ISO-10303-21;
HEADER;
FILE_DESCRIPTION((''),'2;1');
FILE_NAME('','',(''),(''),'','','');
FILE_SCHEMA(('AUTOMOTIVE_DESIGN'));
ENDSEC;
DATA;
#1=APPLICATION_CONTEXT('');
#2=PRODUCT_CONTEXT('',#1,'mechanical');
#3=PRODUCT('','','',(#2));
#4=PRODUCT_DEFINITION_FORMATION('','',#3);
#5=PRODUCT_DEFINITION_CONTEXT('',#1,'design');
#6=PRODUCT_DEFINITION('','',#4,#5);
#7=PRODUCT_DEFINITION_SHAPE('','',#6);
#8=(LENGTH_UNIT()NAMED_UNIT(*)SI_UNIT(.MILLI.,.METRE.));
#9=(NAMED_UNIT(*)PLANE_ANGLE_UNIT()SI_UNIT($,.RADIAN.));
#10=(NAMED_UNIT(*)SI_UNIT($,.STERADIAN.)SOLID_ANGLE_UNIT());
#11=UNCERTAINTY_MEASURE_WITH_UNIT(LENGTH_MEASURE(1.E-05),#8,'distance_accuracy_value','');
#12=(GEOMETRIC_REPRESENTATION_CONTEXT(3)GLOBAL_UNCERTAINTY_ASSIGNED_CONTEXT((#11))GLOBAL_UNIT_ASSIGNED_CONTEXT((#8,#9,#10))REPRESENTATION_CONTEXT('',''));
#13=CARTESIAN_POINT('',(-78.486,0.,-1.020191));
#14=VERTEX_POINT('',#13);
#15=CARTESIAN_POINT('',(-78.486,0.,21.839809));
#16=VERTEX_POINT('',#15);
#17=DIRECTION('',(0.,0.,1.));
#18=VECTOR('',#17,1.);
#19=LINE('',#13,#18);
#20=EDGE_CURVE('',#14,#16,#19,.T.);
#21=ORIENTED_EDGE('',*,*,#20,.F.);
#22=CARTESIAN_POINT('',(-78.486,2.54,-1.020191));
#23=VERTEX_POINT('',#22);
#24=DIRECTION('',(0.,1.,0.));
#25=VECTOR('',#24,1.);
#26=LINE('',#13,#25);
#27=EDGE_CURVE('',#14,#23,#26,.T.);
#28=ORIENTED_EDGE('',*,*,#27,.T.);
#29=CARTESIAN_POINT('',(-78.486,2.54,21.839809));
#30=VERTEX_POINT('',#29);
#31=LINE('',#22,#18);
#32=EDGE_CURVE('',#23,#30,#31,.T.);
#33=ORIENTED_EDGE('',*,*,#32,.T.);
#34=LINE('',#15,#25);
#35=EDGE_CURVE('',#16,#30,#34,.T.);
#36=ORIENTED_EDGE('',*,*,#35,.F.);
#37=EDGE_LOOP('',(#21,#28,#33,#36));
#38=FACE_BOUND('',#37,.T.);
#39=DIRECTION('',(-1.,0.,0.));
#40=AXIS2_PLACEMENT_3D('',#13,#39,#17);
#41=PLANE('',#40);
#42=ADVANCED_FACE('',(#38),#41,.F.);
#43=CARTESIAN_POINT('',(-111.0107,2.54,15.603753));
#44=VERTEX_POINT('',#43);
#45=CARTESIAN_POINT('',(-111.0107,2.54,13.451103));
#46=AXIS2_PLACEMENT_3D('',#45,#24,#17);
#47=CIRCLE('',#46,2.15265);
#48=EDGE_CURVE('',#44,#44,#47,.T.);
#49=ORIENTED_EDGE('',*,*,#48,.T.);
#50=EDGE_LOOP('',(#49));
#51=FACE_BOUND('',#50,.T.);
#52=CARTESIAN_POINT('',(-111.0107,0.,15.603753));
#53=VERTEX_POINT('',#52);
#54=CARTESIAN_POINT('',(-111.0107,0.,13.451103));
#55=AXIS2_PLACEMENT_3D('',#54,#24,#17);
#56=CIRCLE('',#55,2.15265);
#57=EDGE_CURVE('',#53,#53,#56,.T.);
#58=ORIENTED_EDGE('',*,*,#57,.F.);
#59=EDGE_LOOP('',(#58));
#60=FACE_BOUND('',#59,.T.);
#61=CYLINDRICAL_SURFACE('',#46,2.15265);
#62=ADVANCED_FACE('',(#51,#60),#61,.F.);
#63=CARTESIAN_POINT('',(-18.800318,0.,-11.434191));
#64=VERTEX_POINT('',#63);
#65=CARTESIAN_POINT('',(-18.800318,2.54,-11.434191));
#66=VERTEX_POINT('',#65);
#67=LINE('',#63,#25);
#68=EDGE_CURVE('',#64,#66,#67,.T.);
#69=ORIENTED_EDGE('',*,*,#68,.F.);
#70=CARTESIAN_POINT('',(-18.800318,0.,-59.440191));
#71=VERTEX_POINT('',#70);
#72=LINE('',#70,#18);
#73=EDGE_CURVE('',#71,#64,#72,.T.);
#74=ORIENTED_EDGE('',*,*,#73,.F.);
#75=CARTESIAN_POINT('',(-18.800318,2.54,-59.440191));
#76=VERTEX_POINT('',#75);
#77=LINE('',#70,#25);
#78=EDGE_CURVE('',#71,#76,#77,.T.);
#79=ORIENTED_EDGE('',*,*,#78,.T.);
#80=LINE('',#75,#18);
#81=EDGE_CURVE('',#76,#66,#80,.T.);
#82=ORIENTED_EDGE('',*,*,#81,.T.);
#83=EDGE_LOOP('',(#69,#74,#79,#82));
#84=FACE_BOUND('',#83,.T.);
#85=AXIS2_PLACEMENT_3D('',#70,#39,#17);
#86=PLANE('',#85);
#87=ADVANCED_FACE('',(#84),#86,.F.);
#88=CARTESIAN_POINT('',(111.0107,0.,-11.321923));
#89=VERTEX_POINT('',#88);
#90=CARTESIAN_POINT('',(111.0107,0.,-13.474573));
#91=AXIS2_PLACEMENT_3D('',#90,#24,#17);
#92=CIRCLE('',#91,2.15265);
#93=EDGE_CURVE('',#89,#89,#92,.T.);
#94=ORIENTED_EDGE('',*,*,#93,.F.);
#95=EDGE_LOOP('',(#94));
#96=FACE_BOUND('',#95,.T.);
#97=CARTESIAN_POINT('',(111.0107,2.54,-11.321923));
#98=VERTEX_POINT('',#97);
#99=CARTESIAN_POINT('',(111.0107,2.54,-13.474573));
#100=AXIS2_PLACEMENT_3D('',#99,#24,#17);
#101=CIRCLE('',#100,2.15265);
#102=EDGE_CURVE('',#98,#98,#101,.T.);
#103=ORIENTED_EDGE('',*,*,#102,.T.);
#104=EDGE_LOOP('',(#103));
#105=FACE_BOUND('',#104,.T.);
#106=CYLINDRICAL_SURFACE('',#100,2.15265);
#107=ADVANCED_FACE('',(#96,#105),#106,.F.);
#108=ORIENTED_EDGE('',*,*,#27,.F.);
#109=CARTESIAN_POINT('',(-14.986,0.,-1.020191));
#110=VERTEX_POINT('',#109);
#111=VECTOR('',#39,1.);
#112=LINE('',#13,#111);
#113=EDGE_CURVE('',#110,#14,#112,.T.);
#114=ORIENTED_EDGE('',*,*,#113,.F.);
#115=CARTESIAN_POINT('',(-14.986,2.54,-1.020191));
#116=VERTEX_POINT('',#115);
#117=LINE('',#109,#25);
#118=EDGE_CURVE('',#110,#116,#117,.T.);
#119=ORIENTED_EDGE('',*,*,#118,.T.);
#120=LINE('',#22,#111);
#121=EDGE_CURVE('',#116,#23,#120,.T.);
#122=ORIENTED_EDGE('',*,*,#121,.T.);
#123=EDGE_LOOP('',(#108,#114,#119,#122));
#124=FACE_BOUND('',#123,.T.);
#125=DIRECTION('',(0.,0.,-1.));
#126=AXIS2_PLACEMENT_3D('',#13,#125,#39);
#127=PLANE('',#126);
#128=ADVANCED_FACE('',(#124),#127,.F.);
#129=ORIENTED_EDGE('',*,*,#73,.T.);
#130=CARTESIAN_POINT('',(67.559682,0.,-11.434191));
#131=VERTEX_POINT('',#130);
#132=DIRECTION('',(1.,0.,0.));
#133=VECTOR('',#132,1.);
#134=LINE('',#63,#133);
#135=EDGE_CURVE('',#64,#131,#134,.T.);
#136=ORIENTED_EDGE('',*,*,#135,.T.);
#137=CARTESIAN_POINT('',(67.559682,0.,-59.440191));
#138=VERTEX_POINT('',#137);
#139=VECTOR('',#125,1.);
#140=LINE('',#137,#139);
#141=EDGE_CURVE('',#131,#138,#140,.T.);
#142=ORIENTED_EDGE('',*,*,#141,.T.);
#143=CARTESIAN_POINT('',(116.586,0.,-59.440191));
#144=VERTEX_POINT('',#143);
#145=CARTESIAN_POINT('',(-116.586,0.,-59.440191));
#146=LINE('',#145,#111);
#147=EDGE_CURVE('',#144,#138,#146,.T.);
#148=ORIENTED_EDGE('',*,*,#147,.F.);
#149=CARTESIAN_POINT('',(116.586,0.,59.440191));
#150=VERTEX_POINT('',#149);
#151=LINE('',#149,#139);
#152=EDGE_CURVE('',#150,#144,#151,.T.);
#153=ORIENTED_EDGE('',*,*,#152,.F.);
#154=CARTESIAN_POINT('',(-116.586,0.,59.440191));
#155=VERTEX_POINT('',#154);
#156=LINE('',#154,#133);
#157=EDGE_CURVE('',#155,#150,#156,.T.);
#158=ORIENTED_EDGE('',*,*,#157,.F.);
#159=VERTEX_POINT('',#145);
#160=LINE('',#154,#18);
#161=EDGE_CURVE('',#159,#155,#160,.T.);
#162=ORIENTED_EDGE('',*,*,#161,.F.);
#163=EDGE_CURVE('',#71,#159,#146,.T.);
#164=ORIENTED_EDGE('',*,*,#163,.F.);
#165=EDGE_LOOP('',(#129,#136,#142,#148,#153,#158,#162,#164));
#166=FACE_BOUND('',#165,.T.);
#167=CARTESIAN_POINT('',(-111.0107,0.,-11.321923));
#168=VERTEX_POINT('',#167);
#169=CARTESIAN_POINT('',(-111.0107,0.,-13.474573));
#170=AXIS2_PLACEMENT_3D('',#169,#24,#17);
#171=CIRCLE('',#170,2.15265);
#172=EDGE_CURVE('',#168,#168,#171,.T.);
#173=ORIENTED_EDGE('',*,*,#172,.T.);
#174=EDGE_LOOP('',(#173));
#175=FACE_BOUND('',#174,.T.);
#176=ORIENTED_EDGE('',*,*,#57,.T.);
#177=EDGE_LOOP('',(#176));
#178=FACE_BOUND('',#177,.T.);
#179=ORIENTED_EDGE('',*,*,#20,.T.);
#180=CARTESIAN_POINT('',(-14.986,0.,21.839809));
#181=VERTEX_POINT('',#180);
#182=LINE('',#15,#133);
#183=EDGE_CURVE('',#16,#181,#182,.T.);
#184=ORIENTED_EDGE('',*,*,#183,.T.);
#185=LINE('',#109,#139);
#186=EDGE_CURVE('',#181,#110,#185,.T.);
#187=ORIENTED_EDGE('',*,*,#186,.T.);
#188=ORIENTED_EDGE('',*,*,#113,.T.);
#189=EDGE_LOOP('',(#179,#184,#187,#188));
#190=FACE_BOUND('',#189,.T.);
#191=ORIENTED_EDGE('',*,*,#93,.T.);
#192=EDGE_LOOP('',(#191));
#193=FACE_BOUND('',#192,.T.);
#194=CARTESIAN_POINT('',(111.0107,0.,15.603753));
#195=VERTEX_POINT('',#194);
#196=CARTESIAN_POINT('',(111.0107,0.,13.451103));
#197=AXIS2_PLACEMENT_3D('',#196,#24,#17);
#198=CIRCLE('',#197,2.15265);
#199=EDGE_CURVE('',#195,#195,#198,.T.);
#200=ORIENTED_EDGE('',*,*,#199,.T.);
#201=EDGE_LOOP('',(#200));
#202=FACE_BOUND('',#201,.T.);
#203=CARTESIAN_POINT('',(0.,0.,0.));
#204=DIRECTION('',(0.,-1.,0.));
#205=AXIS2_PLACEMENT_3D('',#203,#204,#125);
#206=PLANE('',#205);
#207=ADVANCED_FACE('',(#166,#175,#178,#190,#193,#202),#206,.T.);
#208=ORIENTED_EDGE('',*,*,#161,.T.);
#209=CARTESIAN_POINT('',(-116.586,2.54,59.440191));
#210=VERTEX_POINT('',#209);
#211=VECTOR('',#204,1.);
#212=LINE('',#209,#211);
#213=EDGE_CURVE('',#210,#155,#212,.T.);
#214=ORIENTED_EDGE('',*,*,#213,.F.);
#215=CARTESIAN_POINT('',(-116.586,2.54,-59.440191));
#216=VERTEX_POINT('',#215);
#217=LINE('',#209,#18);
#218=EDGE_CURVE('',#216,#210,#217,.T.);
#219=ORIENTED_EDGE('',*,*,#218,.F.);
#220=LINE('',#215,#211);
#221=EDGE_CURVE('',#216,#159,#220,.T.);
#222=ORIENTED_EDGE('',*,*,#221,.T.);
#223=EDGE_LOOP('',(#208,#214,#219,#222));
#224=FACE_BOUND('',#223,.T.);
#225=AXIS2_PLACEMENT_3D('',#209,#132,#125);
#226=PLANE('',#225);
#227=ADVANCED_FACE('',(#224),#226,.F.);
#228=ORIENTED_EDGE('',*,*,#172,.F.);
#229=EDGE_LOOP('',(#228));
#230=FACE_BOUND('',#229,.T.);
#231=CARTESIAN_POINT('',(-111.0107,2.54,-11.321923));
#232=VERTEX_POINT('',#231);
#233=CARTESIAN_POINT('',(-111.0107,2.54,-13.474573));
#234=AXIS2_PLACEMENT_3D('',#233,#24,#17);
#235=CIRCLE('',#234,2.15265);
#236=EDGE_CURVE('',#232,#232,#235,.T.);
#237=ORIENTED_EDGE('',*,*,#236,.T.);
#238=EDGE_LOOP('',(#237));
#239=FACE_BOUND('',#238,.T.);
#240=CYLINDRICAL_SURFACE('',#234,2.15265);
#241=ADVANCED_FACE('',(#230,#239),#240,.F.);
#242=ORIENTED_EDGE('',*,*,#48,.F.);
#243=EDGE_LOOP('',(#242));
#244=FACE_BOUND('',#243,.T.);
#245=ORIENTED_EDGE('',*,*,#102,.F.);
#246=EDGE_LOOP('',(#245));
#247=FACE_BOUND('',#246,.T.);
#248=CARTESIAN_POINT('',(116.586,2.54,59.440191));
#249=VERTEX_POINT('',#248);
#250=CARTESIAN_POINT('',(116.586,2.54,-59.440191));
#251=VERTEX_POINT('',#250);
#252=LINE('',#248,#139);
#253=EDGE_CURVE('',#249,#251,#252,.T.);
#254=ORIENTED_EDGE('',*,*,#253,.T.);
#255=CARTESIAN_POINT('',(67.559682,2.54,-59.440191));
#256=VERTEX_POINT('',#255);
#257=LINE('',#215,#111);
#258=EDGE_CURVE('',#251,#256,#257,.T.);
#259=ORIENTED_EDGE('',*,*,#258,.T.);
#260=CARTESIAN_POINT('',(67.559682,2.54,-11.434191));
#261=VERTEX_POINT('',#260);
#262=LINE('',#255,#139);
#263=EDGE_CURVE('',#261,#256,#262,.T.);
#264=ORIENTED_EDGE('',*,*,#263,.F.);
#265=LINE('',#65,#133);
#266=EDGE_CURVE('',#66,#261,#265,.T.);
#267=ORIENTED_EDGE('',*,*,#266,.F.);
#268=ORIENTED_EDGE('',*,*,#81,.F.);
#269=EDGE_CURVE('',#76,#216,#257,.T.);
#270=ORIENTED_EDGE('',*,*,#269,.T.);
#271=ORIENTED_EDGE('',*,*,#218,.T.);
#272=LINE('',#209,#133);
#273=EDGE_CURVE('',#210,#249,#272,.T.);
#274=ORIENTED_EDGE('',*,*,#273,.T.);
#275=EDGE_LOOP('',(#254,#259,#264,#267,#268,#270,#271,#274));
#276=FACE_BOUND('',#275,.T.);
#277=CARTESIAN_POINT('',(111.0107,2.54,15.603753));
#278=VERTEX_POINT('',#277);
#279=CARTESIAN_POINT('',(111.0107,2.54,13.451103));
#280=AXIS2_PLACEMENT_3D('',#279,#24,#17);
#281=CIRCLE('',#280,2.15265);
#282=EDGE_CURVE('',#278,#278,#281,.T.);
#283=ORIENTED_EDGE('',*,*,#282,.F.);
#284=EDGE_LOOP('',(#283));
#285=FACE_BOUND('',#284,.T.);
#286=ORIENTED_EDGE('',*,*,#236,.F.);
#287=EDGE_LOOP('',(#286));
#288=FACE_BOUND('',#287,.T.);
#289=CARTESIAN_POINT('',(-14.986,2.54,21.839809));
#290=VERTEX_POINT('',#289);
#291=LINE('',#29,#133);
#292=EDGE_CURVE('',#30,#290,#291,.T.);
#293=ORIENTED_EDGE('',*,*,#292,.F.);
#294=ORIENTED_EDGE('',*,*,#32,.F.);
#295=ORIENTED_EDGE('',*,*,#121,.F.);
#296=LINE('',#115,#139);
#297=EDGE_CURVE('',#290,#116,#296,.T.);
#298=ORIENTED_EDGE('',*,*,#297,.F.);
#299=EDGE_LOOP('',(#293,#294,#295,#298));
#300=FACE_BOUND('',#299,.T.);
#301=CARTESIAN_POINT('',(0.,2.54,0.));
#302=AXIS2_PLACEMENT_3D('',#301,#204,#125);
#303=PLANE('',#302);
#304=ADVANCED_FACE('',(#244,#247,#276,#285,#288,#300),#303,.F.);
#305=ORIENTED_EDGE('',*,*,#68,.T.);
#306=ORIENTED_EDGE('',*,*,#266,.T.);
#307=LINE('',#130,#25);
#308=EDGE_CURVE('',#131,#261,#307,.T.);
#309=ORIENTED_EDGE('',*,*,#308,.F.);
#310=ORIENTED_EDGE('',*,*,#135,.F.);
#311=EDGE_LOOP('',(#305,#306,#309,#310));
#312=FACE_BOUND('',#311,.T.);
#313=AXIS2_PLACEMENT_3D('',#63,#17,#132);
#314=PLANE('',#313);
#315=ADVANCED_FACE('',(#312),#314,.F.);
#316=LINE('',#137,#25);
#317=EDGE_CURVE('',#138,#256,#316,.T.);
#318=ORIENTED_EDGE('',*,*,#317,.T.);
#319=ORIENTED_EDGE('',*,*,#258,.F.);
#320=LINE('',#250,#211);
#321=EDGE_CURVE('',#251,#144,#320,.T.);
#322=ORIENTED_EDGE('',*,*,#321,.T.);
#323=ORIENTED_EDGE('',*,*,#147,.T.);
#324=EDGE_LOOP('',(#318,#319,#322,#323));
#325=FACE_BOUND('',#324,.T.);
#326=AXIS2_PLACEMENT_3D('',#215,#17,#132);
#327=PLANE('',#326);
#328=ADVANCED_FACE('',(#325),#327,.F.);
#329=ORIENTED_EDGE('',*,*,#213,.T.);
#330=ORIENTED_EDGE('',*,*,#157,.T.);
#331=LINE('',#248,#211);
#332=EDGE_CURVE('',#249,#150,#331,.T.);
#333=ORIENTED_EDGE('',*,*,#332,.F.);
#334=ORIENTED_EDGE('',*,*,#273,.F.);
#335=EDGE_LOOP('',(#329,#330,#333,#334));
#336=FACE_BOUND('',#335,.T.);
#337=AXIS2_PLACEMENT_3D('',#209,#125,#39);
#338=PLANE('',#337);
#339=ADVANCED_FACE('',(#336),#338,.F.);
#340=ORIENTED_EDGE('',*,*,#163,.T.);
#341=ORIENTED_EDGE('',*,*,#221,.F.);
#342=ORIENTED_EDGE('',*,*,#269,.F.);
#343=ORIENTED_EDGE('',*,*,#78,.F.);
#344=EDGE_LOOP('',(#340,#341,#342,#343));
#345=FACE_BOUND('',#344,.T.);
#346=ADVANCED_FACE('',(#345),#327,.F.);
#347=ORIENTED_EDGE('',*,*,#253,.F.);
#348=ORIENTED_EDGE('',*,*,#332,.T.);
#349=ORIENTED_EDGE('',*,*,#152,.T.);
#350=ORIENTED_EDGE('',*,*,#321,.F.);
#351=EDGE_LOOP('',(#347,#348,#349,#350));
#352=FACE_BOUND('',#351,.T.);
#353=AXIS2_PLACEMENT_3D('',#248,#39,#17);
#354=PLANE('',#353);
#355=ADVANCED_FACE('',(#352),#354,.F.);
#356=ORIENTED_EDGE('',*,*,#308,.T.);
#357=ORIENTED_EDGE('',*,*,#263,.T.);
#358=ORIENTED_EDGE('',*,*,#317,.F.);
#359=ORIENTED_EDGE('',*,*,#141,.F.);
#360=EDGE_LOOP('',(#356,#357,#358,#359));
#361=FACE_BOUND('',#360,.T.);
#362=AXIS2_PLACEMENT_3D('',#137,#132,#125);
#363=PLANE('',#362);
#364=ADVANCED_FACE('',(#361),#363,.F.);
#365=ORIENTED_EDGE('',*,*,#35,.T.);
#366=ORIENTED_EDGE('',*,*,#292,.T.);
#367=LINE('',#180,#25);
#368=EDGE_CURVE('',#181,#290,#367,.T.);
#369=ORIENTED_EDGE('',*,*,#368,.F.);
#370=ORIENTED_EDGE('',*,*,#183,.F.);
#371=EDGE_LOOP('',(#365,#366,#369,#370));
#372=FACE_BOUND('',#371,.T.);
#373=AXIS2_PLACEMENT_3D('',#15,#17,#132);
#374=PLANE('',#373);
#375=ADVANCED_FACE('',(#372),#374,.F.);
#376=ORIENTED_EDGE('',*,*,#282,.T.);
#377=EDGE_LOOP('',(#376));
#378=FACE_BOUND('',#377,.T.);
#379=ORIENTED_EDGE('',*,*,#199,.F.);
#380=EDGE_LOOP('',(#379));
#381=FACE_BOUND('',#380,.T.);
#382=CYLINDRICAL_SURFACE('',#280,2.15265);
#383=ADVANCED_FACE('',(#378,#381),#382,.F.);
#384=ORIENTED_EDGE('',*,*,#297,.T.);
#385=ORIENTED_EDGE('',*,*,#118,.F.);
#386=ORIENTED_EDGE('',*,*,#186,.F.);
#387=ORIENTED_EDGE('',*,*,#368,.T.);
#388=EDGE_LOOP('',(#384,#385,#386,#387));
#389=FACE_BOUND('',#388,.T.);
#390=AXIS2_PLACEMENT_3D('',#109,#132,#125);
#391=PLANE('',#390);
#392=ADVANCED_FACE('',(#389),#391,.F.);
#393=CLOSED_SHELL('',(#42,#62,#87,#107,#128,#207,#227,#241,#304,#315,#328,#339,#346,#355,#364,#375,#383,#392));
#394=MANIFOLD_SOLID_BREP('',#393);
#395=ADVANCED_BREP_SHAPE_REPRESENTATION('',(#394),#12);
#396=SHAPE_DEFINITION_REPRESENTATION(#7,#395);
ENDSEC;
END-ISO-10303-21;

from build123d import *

# Parameters (mm, degrees)
SKETCH1_W             = 233.172
SKETCH1_H             = 118.880382
BOSS_EXTRUDE1_DEPTH   = 2.54
F_6_CLEARANCE_HOLE1_D = 4.3053
SKETCH4_W             = 86.36
SKETCH4_H             = 48.006
CUT_EXTRUDE1_DEPTH    = 3.54
SKETCH5_W             = 63.5
SKETCH5_H             = 22.86
CUT_EXTRUDE2_DEPTH    = 3.54


with BuildPart() as part:
    # Sketch1 → Boss-Extrude1 (new body)
    with BuildSketch(Plane(origin=(0, 0, 0), x_dir=(1, 0, 0), z_dir=(0, 1, 0))):
        Rectangle(SKETCH1_W, SKETCH1_H)
    extrude(amount=BOSS_EXTRUDE1_DEPTH)

    # #6 Clearance Hole1 (through all)
    with Locations(Plane(origin=(0, 2.54, 0), x_dir=(1, 0, 0), z_dir=(0, 1, 0))):
        with Locations((111.0107, 13.474573), (111.0107, -13.4511034), (-111.0107, 13.474573), (-111.0107, -13.4511034)):
            Hole(F_6_CLEARANCE_HOLE1_D / 2)

    # Sketch4 → Cut-Extrude1 (cut, through all)
    with BuildSketch(Plane(origin=(0, 2.54, 0), x_dir=(1, 0, 0), z_dir=(0, 1, 0))):
        with Locations((24.379682, 35.437191)):
            Rectangle(SKETCH4_W, SKETCH4_H)
    extrude(amount=-CUT_EXTRUDE1_DEPTH, mode=Mode.SUBTRACT)

    # Sketch5 → Cut-Extrude2 (cut, through all)
    with BuildSketch(Plane(origin=(0, 2.54, 0), x_dir=(1, 0, 0), z_dir=(0, 1, 0))):
        with Locations((-46.736, -10.409809)):
            Rectangle(SKETCH5_W, SKETCH5_H)
    extrude(amount=-CUT_EXTRUDE2_DEPTH, mode=Mode.SUBTRACT)


solid = part.part
